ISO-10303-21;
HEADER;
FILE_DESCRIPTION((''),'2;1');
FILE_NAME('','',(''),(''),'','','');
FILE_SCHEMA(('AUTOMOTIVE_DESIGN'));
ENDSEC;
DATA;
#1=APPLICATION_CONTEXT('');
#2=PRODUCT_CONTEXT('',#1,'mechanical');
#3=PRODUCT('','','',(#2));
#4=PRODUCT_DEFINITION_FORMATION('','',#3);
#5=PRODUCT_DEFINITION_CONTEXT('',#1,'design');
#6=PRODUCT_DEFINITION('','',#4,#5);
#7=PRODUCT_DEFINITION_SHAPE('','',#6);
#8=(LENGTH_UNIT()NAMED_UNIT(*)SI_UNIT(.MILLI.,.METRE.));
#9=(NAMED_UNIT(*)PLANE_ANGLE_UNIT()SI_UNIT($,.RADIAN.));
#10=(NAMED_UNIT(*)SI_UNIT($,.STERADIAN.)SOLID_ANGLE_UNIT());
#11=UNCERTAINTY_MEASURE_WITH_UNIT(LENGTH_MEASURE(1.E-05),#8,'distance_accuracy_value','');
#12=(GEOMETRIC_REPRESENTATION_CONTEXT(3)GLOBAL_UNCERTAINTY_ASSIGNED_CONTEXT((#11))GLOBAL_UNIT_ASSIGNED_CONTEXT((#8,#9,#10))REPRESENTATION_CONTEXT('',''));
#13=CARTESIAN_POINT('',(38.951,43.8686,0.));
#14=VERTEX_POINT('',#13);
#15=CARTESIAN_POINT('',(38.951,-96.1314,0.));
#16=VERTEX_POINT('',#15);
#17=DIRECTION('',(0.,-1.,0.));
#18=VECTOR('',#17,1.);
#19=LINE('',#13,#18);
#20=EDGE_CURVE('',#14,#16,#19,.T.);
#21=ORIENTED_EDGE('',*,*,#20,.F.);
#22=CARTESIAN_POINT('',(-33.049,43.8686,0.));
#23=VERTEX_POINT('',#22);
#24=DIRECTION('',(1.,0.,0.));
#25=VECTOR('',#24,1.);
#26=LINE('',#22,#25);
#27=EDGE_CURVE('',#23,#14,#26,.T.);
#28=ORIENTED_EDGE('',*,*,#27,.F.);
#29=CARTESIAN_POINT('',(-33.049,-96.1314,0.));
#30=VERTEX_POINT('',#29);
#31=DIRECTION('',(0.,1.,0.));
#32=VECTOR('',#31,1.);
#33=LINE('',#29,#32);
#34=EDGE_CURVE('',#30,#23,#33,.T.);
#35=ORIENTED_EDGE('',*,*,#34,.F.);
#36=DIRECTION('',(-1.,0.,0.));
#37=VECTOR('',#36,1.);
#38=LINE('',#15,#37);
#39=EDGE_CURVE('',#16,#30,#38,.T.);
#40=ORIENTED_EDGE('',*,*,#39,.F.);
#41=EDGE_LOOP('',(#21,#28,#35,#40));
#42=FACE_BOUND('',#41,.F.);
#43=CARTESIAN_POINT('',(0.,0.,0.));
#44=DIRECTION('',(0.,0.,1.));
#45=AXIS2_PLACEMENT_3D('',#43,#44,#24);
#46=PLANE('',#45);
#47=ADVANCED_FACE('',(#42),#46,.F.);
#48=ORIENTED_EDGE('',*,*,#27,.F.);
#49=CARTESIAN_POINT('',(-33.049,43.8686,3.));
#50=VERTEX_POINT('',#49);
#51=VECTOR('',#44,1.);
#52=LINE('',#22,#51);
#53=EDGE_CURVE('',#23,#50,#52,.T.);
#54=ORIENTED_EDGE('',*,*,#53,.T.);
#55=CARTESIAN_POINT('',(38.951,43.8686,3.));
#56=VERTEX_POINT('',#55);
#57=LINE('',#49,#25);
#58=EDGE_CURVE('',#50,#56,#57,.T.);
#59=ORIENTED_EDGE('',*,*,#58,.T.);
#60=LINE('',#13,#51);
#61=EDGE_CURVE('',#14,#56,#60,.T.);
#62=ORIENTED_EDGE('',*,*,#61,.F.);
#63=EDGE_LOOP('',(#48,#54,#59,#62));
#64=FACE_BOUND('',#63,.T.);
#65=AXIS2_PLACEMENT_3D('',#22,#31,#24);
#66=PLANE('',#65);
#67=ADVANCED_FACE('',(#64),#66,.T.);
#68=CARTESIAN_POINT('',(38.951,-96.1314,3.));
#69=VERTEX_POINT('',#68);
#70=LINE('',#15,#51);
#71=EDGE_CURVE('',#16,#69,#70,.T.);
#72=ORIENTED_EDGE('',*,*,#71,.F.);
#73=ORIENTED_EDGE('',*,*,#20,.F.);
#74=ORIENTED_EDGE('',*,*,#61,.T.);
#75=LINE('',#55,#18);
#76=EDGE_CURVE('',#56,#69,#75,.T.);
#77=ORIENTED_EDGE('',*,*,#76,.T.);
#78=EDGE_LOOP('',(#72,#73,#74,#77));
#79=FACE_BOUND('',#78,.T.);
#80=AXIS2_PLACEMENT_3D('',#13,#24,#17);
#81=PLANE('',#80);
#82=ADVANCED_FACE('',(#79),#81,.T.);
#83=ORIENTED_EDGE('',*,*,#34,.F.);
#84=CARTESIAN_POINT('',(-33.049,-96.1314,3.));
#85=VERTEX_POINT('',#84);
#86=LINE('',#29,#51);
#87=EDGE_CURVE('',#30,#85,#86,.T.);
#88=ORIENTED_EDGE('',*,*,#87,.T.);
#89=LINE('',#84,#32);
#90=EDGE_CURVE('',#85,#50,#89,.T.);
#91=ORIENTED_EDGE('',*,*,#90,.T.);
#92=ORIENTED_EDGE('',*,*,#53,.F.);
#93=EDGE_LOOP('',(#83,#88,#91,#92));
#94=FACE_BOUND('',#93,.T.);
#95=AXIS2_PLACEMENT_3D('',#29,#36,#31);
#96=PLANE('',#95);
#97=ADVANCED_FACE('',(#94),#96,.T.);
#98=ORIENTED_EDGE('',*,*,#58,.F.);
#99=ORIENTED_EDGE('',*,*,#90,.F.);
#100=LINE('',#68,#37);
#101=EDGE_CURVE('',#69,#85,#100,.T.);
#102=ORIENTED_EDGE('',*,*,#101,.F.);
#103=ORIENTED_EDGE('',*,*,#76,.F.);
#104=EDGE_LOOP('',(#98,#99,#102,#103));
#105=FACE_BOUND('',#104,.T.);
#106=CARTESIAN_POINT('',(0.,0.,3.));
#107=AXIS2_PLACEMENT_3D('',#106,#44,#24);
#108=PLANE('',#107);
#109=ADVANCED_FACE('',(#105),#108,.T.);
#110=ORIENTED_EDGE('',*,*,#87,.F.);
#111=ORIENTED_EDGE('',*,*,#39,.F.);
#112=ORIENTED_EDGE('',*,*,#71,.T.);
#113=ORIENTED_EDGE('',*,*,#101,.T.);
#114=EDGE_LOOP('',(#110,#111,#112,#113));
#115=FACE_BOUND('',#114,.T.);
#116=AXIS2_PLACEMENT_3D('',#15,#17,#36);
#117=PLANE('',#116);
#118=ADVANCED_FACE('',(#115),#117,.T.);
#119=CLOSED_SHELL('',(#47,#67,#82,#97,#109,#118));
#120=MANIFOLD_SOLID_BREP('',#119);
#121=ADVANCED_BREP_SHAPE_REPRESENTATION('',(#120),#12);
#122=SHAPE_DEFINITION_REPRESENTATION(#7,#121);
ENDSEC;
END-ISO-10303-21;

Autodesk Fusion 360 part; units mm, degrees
sketch "Sketch1" plane through (0, 0, 0) normal (0, 0, 1) x (1, 0, 0)
  line L0 (-33.049, 43.8686) -> (38.951, 43.8686)
  line L1 (38.951, 43.8686) -> (38.951, -96.1314)
  line L2 (38.951, -96.1314) -> (-33.049, -96.1314)
  line L3 (-33.049, -96.1314) -> (-33.049, 43.8686)
  dimension "d1" = 72
  dimension "d2" = 140
extrude "Extrude1" add sketch "Sketch1" along normal blind 3
